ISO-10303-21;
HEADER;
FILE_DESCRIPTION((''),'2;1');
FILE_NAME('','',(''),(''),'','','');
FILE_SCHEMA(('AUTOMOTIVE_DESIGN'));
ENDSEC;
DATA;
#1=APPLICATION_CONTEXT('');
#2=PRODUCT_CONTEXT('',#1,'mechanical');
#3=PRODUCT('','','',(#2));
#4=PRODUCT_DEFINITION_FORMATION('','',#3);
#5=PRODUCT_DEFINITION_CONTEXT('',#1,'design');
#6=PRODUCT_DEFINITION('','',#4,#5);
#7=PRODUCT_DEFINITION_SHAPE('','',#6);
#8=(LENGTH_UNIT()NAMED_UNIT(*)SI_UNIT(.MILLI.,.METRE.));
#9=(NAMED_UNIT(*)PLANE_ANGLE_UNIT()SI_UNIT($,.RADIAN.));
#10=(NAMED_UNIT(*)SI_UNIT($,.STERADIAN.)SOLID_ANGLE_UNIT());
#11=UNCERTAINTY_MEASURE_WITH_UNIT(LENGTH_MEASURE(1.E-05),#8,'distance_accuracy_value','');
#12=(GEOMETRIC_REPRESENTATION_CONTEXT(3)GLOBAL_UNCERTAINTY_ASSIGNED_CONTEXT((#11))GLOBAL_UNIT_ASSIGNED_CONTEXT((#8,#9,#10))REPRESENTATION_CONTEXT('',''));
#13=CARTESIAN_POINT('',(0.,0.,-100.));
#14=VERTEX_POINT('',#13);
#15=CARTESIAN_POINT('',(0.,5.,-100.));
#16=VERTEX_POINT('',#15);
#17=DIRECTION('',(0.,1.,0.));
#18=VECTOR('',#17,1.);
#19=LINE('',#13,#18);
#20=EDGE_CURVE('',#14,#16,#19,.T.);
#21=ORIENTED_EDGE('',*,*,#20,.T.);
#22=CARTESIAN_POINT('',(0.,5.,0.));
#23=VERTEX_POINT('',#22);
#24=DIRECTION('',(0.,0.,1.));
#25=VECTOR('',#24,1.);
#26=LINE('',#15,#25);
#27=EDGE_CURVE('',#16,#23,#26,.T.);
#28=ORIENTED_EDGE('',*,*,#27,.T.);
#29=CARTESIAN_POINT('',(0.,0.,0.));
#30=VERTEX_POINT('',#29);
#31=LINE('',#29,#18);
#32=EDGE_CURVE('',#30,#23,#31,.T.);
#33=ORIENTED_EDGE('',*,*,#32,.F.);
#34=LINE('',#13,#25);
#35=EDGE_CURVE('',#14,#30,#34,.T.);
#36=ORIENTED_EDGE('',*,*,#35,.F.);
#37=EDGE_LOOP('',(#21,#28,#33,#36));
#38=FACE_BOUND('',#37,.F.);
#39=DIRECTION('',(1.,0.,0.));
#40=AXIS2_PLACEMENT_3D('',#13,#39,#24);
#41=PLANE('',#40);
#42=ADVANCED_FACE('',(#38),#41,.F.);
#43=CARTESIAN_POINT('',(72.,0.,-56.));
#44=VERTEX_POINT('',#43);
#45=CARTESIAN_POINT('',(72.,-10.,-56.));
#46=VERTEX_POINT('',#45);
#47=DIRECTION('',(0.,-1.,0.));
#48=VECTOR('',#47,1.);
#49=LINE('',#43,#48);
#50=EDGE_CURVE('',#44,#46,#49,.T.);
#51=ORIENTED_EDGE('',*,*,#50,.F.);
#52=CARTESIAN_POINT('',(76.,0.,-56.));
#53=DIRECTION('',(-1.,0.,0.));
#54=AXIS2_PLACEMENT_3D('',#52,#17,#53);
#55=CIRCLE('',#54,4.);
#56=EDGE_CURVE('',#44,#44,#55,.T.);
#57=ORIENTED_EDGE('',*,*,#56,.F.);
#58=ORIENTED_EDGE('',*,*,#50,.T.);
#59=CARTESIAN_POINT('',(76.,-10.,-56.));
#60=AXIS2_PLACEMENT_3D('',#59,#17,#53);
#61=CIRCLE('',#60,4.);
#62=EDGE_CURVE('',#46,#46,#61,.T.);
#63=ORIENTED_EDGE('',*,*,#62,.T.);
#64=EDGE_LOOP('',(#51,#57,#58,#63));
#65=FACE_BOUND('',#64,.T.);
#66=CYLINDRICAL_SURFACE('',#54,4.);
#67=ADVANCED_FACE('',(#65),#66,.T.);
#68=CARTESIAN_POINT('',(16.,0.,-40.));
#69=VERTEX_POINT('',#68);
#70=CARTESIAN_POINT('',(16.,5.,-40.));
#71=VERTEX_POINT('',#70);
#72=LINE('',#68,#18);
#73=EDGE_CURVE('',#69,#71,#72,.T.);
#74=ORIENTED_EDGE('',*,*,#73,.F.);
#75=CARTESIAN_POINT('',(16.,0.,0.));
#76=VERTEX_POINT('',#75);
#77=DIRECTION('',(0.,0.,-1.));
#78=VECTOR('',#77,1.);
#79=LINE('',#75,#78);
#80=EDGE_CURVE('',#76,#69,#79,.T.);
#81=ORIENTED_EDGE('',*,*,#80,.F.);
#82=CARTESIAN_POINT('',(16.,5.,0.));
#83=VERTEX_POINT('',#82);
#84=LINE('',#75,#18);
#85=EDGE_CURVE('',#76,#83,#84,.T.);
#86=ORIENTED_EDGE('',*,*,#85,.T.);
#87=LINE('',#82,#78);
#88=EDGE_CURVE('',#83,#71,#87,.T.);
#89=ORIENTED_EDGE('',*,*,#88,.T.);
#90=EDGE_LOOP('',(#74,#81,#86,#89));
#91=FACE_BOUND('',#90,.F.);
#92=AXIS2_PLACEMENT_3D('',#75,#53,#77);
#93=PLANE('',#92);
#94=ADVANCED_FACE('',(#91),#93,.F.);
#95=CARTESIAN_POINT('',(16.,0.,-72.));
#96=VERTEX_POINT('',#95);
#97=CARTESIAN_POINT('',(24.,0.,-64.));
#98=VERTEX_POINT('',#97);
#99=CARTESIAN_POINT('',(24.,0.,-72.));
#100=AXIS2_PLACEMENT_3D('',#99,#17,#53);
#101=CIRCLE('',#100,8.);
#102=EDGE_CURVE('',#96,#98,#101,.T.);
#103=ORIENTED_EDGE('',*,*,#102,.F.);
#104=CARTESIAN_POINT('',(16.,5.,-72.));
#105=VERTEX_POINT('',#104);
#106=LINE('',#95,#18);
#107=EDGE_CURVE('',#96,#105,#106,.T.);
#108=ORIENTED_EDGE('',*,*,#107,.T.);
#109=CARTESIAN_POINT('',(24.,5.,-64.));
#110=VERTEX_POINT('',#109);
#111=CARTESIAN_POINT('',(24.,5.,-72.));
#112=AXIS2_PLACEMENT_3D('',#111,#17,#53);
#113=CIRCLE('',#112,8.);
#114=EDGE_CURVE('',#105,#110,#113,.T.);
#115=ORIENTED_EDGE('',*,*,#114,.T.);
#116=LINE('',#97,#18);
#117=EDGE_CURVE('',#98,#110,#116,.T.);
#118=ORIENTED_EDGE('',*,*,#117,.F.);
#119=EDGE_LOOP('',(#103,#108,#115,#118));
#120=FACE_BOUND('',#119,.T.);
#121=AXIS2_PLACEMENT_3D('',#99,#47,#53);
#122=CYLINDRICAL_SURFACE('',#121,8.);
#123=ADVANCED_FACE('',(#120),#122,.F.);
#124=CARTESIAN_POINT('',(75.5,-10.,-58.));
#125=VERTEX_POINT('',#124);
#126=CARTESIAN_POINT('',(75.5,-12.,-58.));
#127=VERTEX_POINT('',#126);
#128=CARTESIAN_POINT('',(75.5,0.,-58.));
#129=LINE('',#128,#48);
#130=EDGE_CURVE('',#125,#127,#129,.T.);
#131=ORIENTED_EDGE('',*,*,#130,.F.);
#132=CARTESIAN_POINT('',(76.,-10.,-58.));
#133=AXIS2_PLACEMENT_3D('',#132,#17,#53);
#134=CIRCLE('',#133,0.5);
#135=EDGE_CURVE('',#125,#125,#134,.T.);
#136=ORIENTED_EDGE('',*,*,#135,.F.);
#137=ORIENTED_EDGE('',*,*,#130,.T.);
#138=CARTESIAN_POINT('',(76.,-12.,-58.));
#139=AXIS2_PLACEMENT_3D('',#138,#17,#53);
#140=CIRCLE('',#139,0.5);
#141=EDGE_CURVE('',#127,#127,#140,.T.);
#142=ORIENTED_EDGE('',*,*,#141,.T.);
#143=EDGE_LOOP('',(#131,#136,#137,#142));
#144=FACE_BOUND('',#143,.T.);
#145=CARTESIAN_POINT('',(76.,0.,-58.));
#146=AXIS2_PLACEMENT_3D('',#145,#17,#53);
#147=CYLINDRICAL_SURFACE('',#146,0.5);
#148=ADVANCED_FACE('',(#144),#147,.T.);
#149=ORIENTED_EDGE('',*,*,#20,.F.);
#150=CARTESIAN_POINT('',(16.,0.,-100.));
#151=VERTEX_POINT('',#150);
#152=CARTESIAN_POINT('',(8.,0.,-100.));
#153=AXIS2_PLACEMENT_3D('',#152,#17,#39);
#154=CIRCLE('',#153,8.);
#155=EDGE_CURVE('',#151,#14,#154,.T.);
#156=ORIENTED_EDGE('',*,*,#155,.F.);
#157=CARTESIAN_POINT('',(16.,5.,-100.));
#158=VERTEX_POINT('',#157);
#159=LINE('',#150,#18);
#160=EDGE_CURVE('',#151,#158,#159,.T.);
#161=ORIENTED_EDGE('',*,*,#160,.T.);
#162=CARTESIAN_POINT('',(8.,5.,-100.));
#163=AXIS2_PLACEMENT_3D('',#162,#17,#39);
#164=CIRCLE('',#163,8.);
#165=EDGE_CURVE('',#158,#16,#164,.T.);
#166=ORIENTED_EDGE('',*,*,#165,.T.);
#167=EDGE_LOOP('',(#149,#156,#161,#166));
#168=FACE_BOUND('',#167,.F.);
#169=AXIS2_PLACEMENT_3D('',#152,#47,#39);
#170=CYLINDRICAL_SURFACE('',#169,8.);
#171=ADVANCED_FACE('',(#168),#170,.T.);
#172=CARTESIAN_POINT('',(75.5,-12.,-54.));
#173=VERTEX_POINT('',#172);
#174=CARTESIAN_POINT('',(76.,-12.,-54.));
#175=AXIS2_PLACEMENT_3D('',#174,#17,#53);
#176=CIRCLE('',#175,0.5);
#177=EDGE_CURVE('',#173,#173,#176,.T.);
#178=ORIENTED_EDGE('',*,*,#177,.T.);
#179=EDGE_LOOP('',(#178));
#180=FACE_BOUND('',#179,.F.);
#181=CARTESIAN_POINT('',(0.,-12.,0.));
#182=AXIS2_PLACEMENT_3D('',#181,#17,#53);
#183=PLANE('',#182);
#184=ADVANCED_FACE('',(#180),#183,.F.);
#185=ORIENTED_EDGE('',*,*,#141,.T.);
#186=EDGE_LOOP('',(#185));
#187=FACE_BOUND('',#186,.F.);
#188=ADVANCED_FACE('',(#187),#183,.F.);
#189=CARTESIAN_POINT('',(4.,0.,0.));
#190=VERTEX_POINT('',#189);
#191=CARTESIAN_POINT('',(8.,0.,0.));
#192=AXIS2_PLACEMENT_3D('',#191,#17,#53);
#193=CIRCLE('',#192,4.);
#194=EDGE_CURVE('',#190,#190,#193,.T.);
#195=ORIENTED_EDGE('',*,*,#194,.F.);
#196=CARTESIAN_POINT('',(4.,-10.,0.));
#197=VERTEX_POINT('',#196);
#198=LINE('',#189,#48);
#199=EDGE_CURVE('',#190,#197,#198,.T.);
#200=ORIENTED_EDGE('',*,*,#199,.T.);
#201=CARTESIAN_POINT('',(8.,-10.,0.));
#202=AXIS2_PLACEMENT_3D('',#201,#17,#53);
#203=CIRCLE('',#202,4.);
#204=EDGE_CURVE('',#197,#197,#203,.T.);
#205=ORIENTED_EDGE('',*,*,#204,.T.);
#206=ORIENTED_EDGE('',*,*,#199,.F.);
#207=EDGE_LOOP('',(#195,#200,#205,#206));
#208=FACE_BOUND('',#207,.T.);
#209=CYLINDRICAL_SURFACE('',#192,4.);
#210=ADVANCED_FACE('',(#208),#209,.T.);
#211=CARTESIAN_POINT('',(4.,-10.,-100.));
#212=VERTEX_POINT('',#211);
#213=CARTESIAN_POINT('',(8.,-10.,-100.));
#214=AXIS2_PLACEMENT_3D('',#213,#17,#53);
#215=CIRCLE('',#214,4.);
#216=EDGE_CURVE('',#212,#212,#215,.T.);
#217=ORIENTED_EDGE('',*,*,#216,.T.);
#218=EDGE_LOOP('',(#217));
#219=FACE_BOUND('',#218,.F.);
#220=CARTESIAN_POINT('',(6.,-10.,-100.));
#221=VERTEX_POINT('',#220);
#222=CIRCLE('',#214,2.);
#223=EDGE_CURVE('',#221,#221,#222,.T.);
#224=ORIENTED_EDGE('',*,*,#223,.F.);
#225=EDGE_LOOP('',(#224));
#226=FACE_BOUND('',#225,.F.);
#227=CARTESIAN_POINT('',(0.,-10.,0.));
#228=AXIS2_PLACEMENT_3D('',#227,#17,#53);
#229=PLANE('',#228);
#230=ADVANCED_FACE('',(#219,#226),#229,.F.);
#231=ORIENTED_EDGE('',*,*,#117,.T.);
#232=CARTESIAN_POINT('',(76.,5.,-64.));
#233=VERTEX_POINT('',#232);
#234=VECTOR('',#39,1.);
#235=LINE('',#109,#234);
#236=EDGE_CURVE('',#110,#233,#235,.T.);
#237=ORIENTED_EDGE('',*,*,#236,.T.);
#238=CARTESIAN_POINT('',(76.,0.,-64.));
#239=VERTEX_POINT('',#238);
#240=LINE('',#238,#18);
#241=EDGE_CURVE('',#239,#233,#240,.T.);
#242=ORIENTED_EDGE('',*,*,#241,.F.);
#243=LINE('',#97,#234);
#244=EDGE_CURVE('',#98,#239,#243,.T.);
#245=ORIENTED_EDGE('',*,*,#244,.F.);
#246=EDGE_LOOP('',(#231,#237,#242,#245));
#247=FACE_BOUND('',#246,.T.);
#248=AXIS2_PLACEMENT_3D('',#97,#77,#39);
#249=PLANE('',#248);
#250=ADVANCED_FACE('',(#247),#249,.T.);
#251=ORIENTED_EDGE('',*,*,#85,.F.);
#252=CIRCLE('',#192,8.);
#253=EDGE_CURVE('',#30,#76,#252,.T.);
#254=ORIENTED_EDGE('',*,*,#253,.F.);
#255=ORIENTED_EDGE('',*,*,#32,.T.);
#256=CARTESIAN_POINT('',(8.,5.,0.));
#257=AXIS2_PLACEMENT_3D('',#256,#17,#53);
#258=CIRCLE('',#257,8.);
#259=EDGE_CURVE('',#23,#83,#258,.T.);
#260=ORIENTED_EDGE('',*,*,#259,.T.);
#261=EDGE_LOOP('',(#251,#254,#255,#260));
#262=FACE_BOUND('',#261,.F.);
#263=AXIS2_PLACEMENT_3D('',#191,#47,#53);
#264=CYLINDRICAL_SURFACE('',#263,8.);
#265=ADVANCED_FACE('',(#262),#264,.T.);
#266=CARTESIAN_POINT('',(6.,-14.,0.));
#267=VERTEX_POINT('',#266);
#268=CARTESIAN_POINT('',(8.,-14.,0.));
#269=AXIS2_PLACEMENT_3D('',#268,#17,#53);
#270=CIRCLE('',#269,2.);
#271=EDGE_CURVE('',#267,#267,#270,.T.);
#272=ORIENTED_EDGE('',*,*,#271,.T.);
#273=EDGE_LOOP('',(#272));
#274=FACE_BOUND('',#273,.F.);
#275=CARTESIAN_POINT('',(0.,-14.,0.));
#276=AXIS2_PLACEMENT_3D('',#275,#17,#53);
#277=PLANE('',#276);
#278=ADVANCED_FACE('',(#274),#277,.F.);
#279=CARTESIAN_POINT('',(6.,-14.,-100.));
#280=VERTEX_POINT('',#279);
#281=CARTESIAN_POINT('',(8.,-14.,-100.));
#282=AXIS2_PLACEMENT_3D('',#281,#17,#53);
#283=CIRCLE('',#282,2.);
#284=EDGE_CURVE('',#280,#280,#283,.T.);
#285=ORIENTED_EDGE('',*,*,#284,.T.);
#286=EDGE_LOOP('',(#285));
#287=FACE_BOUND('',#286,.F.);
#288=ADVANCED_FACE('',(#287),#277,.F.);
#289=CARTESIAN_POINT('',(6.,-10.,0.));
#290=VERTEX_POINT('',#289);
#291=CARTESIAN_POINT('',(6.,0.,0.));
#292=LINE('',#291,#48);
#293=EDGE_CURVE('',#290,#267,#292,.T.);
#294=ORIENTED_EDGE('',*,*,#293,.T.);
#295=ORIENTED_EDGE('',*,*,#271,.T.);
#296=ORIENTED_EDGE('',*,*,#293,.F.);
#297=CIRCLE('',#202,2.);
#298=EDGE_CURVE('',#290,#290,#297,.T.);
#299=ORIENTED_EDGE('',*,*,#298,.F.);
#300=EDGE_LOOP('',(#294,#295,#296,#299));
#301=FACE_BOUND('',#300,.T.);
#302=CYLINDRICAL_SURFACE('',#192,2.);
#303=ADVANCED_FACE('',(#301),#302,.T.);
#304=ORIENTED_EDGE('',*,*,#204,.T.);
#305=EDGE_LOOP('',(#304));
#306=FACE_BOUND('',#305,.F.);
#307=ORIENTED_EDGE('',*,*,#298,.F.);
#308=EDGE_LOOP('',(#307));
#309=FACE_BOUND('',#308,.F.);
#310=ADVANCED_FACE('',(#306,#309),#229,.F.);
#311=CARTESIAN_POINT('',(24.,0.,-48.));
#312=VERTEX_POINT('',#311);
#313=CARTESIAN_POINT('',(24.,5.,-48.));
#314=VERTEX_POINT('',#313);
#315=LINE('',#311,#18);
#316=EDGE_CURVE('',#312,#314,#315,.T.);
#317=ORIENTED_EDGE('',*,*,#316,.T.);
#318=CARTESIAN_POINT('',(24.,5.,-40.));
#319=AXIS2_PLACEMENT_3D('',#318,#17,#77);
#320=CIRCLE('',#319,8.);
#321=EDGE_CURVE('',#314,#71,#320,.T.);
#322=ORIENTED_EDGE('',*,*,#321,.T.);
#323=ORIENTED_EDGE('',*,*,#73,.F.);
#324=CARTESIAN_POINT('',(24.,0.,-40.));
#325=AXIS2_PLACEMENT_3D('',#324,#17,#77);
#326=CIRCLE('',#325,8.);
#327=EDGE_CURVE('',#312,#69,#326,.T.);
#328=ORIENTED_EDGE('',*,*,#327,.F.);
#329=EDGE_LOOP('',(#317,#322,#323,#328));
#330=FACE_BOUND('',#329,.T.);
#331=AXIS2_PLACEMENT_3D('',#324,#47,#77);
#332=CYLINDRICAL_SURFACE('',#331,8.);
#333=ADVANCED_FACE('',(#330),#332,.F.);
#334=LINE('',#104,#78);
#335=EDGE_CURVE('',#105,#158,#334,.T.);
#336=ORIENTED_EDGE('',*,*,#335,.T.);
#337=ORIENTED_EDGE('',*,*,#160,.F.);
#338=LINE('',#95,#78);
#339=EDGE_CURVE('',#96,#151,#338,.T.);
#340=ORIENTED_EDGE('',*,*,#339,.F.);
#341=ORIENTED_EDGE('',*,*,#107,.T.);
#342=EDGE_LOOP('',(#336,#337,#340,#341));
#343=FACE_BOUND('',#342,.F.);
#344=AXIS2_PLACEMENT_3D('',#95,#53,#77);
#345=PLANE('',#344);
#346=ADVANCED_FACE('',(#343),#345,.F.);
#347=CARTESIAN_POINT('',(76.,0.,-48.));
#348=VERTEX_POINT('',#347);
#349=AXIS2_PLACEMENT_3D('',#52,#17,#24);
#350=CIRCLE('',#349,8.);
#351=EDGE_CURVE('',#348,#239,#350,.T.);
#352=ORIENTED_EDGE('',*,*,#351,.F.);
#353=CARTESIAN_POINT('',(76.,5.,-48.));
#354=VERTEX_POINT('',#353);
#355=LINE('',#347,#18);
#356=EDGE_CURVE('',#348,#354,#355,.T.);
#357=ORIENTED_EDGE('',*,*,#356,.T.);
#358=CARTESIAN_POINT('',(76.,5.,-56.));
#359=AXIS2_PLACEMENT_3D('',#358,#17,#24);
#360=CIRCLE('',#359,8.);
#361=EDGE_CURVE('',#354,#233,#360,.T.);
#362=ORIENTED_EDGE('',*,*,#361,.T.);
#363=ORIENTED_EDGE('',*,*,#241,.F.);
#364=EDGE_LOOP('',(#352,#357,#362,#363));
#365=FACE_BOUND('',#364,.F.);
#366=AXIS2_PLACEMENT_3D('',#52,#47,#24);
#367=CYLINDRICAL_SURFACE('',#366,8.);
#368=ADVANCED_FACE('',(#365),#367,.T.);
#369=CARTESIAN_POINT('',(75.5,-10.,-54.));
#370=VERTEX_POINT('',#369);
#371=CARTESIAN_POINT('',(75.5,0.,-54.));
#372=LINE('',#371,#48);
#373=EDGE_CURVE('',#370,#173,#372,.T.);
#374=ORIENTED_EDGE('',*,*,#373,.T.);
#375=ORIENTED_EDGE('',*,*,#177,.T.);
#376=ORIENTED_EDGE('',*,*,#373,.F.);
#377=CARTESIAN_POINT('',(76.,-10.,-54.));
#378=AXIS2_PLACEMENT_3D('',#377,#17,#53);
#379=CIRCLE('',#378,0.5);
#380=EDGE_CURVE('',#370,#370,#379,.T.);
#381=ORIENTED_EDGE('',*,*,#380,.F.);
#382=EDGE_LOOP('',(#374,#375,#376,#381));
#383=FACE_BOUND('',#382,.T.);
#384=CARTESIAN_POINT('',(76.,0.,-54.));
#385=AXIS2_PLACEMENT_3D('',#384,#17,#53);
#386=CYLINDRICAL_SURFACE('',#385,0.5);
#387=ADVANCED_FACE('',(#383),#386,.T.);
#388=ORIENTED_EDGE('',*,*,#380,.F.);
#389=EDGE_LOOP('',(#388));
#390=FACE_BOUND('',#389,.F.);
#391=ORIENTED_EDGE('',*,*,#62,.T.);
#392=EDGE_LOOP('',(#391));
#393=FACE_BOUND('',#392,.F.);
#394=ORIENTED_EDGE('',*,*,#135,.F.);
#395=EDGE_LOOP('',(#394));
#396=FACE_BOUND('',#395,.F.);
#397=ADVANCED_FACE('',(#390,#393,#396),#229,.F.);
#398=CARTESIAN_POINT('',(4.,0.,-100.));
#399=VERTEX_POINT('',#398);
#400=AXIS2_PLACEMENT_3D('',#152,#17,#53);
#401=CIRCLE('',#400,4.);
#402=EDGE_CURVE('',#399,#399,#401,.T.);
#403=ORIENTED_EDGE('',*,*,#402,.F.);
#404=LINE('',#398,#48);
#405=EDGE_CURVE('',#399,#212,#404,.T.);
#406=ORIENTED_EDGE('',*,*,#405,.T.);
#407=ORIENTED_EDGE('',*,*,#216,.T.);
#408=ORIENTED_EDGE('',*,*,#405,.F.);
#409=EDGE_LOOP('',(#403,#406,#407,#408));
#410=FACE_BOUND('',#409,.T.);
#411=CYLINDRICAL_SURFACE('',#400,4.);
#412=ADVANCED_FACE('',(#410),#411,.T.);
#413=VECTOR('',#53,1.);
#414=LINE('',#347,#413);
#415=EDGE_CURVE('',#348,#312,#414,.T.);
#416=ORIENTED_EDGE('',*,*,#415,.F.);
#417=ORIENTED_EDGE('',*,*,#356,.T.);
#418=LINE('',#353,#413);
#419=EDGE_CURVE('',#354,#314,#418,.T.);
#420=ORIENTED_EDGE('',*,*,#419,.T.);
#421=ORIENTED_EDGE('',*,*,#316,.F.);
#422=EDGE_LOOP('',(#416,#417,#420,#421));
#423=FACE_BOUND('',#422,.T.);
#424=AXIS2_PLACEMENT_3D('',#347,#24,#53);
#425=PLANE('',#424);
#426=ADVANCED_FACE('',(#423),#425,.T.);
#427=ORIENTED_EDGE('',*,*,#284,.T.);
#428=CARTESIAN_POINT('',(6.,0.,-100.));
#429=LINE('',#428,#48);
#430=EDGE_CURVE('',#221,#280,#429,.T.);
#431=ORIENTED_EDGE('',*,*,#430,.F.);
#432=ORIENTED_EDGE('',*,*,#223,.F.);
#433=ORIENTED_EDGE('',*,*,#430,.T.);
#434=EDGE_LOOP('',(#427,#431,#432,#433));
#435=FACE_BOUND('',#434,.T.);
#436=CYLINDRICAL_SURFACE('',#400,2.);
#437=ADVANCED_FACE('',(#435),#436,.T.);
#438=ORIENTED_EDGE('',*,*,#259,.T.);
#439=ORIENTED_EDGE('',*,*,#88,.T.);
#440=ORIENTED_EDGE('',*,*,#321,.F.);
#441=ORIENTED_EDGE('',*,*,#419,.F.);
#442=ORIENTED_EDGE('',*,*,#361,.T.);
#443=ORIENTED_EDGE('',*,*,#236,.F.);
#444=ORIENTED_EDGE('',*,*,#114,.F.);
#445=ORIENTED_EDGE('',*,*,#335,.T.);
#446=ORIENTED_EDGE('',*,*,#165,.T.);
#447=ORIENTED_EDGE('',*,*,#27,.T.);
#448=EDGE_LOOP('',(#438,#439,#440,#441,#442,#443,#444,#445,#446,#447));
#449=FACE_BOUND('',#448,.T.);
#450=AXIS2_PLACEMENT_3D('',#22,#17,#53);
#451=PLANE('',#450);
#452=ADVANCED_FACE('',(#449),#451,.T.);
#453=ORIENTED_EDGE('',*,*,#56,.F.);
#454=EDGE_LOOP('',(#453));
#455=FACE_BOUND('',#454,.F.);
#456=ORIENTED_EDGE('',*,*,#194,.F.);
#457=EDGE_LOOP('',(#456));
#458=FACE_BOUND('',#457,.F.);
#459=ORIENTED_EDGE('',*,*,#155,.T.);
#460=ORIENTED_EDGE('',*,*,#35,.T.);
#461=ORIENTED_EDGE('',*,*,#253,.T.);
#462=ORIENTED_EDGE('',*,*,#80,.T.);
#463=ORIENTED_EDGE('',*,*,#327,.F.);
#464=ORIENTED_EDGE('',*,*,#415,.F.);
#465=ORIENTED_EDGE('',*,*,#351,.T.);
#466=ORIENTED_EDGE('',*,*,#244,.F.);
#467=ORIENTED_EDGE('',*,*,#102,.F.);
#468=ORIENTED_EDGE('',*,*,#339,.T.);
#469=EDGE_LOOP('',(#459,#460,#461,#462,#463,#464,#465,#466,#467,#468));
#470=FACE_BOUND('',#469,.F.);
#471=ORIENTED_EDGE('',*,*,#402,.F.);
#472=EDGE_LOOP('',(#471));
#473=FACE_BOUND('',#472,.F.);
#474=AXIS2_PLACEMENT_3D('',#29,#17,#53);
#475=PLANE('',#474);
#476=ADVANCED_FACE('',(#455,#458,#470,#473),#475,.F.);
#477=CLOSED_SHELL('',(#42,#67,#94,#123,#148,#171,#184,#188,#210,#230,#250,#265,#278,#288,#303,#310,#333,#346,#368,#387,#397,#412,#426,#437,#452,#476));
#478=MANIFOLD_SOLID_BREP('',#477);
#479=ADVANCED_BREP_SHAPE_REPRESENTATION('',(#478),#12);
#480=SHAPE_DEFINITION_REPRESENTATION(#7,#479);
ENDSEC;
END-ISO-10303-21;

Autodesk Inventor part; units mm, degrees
ref_plane "YZ Plane" through (0, 0, 0) normal (1, 0, 0) x (0, 1, 0)
ref_plane "XZ Plane" through (0, 0, 0) normal (0, 1, 0) x (-1, 0, 0)
ref_plane "XY Plane" through (0, 0, 0) normal (0, 0, 1) x (1, 0, 0)
sketch "Boceto1" plane through (0, 0, 0) normal (0, 1, 0) x (-1, 0, 0)
  line L0 (0, -100) -> (0, 0)
  line L1 (-76, -48) -> (-24, -48)
  line L2 (-24, -64) -> (-76, -64)
  arc A0 (-16, -100) -> (0, -100) centre (-8, -100) ccw
  arc A1 (0, 0) -> (-16, 0) centre (-8, 0) ccw
  arc A2 (-76, -48) -> (-76, -64) centre (-76, -56) ccw
  line L3 (-16, 0) -> (-16, -40)
  line L4 (-16, -72) -> (-16, -100)
  arc A3 (-24, -48) -> (-16, -40) centre (-24, -40) ccw
  arc A4 (-16, -72) -> (-24, -64) centre (-24, -72) ccw
  circle A5 centre (-8, 0) radius 4
  circle A6 centre (-8, -100) radius 4
  circle A7 centre (-76, -56) radius 4
  circle A8 centre (-76, -58) radius 0.5
  circle A9 centre (-76, -54) radius 0.5
  circle A10 centre (-8, -100) radius 2
  circle A11 centre (-8, 0) radius 2
  point P0 (-16, -48)
  dimension "d0" = 16
  dimension "d1" = 100
  dimension "d2" = 60
  dimension "d3" = 16
  dimension "d6" = 8
  dimension "d7" = 8
  dimension "d8" = 8
  dimension "d9" = 8
  dimension "d10" = 8
  dimension "d11" = 8
  dimension "d12" = 8
  dimension "d13" = 1
  dimension "d14" = 1
  dimension "d15" = 2
  dimension "d16" = 2
  dimension "d17" = 4
  dimension "d18" = 4
extrude "Extrusión1" add sketch "Boceto1" along normal blind 5 contours A0 L4 A4 L2 A2 L1 A3 L3 A1 L0 | A5 | A6 | A7 | A8 | A9 | A10 | A11
sketch "Boceto4" plane through (0, 0, 0) normal (0, -1, 0) x (1, 0, 0)
  point P0 (0, 0)
extrude "Extrusión3" add sketch "Boceto1" against normal blind 14 contours A10 | A11
sketch "Boceto5" plane through (0, 0, 0) normal (0, -1, 0) x (1, 0, 0)
  point P0 (0, 0)
extrude "Extrusión4" add sketch "Boceto1" against normal blind 12 contours A8 | A9
sketch "Boceto6" plane through (0, 0, 0) normal (0, -1, 0) x (1, 0, 0)
  point P0 (0, 0)
extrude "Extrusión5" add sketch "Boceto1" against normal blind 10 contours A5 | A6 | A7 | A10 | A11
properties part number "Practica 8"
